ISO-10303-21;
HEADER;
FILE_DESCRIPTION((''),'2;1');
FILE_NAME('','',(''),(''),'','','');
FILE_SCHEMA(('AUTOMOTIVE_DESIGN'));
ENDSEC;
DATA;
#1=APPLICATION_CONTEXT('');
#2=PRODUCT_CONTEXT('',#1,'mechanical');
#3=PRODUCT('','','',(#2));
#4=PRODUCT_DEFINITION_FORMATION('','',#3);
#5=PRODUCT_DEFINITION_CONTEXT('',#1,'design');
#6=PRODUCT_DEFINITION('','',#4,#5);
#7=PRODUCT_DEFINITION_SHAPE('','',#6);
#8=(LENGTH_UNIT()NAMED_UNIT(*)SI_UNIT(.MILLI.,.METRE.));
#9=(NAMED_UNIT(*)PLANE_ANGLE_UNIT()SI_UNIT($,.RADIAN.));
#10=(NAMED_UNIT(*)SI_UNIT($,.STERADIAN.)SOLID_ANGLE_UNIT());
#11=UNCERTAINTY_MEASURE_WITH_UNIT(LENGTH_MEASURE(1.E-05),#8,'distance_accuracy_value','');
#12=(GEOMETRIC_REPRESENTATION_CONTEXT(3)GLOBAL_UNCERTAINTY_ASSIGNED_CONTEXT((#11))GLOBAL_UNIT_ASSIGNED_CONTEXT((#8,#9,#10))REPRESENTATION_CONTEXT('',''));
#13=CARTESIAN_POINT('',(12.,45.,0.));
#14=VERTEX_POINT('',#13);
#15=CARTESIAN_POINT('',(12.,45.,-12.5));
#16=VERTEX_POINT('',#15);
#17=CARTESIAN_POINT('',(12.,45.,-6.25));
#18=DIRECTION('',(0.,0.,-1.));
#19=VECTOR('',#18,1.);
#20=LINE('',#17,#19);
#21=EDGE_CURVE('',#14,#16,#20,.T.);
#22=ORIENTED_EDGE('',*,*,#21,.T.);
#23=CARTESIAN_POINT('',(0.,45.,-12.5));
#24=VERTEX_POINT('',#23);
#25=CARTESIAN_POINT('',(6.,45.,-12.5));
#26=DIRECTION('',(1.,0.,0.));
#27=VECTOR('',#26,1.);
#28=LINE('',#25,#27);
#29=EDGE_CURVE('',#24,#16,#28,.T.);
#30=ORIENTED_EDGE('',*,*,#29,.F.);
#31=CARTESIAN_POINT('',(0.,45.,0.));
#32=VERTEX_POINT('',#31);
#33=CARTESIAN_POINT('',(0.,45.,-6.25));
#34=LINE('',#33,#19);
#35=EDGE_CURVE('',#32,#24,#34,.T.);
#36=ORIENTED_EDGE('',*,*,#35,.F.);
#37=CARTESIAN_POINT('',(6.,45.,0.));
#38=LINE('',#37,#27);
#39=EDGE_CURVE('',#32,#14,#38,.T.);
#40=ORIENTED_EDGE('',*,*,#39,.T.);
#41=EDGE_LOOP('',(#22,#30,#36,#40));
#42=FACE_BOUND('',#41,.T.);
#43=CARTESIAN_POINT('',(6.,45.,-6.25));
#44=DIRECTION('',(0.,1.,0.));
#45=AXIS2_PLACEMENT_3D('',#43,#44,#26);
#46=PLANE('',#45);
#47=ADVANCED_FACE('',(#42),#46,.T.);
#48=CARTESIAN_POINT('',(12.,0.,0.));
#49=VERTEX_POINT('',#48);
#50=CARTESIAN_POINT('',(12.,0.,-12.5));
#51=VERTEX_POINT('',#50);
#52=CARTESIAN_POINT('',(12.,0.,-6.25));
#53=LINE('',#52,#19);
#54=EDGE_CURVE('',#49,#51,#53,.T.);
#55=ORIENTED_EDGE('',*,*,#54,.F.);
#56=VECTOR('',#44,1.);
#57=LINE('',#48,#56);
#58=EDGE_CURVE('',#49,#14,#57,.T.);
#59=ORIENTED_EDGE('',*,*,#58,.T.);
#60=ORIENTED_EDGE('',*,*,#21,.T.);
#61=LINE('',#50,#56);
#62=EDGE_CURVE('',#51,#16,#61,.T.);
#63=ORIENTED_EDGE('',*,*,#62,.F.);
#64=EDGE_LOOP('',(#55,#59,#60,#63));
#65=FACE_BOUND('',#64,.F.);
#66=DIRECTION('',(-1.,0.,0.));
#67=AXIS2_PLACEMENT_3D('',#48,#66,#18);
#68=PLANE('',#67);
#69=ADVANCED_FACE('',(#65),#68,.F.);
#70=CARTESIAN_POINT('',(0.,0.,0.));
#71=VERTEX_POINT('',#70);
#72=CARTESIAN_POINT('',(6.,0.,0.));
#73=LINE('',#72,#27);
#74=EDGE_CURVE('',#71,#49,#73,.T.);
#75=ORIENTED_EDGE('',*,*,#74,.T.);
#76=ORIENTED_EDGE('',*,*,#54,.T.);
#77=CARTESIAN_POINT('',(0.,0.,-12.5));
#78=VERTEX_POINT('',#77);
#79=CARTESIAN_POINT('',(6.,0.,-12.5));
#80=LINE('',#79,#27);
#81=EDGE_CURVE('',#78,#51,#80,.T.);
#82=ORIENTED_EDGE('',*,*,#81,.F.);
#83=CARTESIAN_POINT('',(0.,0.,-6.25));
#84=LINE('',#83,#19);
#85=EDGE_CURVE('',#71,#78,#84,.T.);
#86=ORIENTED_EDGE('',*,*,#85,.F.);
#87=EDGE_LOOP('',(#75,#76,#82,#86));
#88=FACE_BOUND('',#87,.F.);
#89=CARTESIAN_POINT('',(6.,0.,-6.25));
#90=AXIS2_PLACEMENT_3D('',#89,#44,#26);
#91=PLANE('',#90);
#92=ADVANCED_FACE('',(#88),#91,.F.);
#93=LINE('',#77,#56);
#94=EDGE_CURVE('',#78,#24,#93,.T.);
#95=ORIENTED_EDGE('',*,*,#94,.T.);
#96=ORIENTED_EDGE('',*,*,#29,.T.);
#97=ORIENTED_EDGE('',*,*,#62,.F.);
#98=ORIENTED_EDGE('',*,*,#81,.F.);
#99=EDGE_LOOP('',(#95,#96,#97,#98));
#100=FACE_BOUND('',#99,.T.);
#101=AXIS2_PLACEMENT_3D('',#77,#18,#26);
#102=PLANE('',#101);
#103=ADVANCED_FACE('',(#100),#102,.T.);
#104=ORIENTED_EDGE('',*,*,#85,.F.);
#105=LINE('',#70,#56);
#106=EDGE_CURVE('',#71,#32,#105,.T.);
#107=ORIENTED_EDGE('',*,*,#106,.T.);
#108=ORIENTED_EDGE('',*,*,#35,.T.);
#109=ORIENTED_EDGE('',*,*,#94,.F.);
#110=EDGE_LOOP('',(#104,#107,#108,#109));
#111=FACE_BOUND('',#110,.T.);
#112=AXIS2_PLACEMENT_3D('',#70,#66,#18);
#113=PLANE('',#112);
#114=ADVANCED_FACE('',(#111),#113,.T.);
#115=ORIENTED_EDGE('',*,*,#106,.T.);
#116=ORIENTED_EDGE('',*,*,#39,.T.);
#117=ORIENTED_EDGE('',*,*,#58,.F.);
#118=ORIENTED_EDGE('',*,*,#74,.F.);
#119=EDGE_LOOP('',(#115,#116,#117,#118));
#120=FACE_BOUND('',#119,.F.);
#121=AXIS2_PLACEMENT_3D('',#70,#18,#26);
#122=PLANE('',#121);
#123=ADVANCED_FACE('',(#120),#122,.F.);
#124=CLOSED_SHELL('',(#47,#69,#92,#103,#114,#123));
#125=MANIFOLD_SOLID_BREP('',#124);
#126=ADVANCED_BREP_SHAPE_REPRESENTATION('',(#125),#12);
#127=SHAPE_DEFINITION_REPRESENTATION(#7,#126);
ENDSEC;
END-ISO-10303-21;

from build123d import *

# Parameters (mm, degrees)
SKETCH1_W           = 12
SKETCH1_H           = 12.5
BOSS_EXTRUDE1_DEPTH = 45


with BuildPart() as part:
    # Sketch1 → Boss-Extrude1 (new body)
    with BuildSketch(Plane(origin=(0, 0, 0), x_dir=(1, 0, 0), z_dir=(0, 1, 0))):
        with Locations((6, 6.25)):
            Rectangle(SKETCH1_W, SKETCH1_H)
    extrude(amount=BOSS_EXTRUDE1_DEPTH)


solid = part.part
